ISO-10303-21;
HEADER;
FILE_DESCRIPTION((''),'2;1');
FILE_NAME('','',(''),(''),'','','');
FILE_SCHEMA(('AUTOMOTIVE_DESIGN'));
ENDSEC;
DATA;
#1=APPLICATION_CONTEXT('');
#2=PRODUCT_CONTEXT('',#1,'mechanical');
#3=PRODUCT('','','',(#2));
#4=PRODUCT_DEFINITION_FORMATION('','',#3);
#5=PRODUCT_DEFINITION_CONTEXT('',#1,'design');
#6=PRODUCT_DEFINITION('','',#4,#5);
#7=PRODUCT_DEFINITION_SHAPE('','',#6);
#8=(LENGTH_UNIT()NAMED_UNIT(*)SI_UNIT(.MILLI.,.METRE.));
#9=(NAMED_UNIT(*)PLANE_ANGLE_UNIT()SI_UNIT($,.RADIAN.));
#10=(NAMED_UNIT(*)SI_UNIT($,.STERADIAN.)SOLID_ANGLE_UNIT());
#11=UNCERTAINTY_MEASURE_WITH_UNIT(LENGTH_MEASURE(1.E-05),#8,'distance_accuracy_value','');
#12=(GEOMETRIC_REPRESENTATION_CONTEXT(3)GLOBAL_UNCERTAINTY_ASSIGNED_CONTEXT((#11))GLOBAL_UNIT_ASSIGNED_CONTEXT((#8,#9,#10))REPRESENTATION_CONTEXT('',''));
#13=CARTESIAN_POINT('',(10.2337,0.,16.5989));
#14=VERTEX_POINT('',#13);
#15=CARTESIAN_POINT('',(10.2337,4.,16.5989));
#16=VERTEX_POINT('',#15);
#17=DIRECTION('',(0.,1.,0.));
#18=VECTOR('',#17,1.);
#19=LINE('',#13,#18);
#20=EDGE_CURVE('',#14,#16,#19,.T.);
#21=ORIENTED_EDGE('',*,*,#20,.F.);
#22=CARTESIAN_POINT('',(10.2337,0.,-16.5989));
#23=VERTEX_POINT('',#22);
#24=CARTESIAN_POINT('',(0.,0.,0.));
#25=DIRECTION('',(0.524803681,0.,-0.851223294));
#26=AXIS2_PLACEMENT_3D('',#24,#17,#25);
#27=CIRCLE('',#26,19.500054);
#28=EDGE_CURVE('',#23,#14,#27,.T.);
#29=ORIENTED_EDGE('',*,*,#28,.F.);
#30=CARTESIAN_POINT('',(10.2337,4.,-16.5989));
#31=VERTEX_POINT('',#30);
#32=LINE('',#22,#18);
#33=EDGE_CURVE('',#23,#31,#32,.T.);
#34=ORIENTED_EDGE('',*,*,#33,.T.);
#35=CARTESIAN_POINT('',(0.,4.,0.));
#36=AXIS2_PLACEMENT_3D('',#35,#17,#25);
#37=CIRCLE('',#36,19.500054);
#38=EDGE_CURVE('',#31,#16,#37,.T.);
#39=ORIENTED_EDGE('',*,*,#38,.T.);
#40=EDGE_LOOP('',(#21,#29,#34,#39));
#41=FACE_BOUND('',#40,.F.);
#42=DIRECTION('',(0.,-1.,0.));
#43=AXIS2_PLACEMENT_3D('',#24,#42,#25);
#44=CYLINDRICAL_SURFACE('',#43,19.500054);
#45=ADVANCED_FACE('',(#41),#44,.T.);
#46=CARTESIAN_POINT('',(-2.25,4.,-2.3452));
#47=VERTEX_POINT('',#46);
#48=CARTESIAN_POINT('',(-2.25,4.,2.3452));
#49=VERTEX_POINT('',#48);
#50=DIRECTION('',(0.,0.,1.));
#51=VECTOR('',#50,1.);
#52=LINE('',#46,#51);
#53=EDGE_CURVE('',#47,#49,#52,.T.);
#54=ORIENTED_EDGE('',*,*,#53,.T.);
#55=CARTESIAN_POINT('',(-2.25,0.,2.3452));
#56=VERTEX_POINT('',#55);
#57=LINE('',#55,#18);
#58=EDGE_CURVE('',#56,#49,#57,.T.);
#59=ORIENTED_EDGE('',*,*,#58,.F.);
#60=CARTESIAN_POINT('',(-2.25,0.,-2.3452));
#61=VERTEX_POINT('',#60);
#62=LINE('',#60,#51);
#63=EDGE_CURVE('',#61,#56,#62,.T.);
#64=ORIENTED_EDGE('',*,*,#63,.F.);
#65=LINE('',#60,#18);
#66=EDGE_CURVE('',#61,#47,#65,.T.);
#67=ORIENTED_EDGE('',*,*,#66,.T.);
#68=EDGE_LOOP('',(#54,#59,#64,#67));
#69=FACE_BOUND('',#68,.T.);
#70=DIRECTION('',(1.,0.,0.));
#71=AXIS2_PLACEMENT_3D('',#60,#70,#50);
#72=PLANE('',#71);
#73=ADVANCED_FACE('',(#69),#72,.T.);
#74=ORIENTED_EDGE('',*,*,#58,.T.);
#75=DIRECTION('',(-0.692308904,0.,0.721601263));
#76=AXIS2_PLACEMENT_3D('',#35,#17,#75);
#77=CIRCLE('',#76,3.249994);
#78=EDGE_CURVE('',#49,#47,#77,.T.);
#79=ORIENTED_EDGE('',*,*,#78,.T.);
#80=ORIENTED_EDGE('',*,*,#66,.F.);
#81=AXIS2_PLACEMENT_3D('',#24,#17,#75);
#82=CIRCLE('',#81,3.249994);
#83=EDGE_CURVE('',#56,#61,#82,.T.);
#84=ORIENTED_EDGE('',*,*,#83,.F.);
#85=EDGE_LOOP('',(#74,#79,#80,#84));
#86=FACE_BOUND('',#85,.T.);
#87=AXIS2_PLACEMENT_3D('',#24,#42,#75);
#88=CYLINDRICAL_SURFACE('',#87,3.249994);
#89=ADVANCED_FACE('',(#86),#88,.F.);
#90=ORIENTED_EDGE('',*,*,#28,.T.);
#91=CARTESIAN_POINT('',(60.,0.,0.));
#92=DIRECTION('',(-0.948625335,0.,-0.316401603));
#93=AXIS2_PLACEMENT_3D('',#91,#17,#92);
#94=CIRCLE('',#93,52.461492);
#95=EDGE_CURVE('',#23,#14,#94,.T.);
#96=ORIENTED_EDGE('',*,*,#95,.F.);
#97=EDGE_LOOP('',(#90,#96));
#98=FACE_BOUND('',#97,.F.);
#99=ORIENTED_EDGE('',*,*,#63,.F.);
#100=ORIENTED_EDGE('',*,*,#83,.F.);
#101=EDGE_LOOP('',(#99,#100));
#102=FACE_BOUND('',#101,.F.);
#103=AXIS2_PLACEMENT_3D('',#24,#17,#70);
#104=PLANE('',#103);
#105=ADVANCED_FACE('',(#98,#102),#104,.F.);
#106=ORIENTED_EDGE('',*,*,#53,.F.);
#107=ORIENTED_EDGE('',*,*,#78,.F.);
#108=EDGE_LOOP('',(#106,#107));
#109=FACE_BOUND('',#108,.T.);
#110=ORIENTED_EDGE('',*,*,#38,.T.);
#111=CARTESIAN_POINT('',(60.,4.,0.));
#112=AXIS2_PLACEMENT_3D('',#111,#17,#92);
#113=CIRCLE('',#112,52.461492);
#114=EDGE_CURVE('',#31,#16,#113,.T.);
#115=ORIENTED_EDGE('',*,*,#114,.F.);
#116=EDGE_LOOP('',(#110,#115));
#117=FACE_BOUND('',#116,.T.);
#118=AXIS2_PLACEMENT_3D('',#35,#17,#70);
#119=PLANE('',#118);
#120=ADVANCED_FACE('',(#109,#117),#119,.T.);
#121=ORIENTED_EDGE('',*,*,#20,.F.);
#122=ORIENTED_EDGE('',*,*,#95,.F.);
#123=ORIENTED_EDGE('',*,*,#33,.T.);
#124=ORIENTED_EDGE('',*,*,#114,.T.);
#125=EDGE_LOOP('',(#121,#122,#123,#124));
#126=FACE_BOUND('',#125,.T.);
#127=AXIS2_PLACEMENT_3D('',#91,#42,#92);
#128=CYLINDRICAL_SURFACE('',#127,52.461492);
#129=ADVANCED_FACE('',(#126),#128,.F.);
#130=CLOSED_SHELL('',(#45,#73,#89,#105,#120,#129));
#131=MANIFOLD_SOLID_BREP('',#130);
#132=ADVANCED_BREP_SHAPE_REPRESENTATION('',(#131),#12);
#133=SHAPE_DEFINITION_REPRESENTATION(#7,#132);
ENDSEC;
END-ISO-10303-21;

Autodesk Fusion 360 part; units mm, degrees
sketch "Sketch1" plane through (0, 0, 0) normal (0, 1, 0) x (1, 0, 0)
  arc A0 (10.2337, 16.5989) -> (10.2337, -16.5989) centre (60, 0) ccw
  arc A1 (10.2337, 16.5989) -> (10.2337, -16.5989) centre (0, 0) ccw
  line L0 (-2.25, 2.3452) -> (-2.25, -2.3452)
  arc A2 (-2.25, -2.3452) -> (-2.25, 2.3452) centre (0, 0) ccw
extrude "Extrude1" add sketch "Sketch1" along normal blind 4
